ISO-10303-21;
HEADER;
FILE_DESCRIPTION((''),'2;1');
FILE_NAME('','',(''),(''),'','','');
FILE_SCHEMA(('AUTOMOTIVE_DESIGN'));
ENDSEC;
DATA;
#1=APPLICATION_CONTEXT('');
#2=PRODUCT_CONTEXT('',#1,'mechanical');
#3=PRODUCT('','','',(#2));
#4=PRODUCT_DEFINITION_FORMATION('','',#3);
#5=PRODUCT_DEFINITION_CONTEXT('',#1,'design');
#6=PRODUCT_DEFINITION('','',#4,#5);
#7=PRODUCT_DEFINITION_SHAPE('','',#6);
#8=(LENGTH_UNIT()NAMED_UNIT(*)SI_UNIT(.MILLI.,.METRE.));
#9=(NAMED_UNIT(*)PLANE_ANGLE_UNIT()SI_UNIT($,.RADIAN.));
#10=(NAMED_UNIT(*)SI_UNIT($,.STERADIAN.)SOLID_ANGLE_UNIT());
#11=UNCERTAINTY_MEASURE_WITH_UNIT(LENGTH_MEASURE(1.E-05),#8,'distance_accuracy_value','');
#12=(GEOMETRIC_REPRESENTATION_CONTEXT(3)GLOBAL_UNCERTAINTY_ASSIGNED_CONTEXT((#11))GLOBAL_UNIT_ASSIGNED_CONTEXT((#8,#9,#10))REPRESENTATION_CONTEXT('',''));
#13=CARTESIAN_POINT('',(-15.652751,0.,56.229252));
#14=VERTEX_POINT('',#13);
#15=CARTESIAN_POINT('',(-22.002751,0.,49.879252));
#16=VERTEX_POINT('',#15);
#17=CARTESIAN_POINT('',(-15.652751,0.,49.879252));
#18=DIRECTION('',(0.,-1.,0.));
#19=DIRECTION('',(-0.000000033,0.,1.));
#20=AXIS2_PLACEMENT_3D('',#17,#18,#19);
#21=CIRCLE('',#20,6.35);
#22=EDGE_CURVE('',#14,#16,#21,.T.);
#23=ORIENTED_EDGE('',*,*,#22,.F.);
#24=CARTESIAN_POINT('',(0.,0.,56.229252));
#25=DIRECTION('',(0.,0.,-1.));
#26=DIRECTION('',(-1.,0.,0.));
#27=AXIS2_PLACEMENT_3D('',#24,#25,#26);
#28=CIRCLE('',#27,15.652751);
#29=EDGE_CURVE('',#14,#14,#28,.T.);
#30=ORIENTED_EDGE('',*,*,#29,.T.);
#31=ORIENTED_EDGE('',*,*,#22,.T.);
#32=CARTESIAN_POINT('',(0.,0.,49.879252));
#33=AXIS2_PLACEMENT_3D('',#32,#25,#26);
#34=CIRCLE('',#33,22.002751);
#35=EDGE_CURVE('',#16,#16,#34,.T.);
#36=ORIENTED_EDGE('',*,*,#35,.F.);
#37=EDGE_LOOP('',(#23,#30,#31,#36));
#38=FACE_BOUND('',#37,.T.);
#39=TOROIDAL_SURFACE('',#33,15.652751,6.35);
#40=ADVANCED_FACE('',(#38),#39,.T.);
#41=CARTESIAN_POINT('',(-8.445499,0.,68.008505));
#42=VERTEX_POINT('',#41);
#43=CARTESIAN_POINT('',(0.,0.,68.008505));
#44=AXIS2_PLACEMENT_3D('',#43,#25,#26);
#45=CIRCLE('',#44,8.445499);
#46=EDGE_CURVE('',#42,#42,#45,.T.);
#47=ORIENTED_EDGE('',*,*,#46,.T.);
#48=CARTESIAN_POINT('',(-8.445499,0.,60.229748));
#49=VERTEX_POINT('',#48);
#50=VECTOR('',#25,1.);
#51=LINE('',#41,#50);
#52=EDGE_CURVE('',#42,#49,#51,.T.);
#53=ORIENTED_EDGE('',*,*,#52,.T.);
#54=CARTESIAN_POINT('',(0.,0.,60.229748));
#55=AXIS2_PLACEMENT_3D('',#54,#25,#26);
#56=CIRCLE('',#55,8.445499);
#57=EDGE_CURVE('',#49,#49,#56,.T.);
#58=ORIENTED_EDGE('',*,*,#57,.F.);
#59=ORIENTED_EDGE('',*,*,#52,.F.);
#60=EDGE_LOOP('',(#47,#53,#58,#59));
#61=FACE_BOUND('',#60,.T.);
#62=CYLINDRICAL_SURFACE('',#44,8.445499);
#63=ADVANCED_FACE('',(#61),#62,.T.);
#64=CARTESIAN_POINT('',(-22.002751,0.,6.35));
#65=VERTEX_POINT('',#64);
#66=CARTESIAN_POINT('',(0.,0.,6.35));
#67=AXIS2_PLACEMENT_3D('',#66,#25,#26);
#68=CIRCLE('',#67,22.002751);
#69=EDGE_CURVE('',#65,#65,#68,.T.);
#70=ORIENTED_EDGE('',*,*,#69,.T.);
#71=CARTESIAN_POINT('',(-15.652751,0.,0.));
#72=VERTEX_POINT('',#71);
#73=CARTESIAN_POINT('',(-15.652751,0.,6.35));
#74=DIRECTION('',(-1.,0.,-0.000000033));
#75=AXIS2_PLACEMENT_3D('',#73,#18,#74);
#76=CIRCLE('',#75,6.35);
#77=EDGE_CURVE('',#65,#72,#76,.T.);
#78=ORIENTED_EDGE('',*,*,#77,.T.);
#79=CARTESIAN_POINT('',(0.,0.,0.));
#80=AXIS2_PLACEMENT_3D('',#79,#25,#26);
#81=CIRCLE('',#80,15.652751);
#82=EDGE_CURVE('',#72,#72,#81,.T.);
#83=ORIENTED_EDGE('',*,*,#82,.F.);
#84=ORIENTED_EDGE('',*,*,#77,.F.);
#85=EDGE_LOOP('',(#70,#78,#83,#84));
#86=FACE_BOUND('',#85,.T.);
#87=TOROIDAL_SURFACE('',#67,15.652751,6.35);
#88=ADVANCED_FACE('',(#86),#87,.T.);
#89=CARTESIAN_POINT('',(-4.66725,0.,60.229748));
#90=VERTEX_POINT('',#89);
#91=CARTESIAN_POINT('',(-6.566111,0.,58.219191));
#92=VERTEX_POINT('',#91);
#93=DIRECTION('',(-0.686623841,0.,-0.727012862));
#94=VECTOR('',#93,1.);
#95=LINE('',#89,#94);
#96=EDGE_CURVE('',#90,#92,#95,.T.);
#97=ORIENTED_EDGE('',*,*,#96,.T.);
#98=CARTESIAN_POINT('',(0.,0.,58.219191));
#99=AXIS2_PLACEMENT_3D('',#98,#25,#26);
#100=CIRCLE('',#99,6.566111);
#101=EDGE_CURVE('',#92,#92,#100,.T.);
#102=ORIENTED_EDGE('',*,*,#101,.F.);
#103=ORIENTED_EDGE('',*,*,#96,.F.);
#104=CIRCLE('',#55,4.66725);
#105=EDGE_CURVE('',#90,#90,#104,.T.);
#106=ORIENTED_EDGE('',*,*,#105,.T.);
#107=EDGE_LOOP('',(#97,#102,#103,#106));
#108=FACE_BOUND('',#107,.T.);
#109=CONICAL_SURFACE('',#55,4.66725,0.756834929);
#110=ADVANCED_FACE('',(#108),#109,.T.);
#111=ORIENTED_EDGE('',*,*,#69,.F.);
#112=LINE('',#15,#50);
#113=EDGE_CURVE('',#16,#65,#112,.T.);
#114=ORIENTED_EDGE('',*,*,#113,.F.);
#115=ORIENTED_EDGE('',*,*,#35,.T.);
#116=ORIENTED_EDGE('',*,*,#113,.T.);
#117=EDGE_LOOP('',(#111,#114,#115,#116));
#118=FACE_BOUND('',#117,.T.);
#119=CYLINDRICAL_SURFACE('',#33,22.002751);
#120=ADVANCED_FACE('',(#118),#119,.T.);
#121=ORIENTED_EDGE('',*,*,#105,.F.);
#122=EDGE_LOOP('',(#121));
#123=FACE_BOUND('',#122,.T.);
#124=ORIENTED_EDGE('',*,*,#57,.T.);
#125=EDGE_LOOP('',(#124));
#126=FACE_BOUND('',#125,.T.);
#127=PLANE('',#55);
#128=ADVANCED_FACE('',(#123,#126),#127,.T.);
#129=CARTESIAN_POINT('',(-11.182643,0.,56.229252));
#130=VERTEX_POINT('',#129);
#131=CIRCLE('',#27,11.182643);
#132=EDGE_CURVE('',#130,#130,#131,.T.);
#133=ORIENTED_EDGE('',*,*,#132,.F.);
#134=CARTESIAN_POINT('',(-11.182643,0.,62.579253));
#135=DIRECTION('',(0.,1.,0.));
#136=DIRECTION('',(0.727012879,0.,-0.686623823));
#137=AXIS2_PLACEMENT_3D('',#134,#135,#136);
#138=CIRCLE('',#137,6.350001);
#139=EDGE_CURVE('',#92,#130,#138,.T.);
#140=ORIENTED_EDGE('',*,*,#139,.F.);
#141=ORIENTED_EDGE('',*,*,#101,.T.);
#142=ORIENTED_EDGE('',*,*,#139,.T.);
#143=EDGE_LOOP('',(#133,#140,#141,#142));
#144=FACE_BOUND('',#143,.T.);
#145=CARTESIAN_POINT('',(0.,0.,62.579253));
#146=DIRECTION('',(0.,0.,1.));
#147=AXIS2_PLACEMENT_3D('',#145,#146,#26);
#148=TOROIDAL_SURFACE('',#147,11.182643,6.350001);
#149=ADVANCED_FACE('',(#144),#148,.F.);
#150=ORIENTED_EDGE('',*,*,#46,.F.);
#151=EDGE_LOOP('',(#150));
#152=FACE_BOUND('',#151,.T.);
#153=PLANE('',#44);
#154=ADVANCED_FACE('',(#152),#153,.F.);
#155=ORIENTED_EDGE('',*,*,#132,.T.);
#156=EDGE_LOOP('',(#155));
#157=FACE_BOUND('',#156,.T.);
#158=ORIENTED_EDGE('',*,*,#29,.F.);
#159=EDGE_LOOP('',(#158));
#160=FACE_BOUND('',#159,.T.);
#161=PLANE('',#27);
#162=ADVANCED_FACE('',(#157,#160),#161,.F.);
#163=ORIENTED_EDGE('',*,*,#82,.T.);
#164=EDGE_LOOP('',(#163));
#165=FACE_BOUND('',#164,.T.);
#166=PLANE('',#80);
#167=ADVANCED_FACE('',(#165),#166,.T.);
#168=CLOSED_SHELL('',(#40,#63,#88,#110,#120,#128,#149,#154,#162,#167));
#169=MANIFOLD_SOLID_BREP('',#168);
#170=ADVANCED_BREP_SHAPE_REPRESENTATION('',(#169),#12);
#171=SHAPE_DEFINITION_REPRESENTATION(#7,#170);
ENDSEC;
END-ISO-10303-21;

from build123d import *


with BuildPart() as f1:
    # F0 (on Front) → F1 (revolve)
    with BuildSketch(Plane.XZ):
        with BuildLine():
            Line((-15.652751, 0), (0, 0))
            Line((0, 0), (0, 68.008505))
            Line((0, 68.008505), (-8.445499, 68.008505))
            Line((-8.445499, 68.008505), (-8.445499, 60.229748))
            Line((-8.445499, 60.229748), (-4.66725, 60.229748))
            Line((-4.66725, 60.229748), (-6.566111, 58.219191))
            ThreePointArc((-6.566111, 58.219191), (-8.669069, 56.747919), (-11.182643, 56.229252))
            Line((-11.182643, 56.229252), (-15.652751, 56.229252))
            ThreePointArc((-15.652751, 56.229252), (-20.142879, 54.36938), (-22.002751, 49.879252))
            Line((-22.002751, 49.879252), (-22.002751, 6.35))
            ThreePointArc((-22.002751, 6.35), (-20.142879, 1.859872), (-15.652751, 0))
        make_face()
    revolve(axis=Axis((0, 0, 34.004252), (0, 0, -1)))


solid = f1.part
